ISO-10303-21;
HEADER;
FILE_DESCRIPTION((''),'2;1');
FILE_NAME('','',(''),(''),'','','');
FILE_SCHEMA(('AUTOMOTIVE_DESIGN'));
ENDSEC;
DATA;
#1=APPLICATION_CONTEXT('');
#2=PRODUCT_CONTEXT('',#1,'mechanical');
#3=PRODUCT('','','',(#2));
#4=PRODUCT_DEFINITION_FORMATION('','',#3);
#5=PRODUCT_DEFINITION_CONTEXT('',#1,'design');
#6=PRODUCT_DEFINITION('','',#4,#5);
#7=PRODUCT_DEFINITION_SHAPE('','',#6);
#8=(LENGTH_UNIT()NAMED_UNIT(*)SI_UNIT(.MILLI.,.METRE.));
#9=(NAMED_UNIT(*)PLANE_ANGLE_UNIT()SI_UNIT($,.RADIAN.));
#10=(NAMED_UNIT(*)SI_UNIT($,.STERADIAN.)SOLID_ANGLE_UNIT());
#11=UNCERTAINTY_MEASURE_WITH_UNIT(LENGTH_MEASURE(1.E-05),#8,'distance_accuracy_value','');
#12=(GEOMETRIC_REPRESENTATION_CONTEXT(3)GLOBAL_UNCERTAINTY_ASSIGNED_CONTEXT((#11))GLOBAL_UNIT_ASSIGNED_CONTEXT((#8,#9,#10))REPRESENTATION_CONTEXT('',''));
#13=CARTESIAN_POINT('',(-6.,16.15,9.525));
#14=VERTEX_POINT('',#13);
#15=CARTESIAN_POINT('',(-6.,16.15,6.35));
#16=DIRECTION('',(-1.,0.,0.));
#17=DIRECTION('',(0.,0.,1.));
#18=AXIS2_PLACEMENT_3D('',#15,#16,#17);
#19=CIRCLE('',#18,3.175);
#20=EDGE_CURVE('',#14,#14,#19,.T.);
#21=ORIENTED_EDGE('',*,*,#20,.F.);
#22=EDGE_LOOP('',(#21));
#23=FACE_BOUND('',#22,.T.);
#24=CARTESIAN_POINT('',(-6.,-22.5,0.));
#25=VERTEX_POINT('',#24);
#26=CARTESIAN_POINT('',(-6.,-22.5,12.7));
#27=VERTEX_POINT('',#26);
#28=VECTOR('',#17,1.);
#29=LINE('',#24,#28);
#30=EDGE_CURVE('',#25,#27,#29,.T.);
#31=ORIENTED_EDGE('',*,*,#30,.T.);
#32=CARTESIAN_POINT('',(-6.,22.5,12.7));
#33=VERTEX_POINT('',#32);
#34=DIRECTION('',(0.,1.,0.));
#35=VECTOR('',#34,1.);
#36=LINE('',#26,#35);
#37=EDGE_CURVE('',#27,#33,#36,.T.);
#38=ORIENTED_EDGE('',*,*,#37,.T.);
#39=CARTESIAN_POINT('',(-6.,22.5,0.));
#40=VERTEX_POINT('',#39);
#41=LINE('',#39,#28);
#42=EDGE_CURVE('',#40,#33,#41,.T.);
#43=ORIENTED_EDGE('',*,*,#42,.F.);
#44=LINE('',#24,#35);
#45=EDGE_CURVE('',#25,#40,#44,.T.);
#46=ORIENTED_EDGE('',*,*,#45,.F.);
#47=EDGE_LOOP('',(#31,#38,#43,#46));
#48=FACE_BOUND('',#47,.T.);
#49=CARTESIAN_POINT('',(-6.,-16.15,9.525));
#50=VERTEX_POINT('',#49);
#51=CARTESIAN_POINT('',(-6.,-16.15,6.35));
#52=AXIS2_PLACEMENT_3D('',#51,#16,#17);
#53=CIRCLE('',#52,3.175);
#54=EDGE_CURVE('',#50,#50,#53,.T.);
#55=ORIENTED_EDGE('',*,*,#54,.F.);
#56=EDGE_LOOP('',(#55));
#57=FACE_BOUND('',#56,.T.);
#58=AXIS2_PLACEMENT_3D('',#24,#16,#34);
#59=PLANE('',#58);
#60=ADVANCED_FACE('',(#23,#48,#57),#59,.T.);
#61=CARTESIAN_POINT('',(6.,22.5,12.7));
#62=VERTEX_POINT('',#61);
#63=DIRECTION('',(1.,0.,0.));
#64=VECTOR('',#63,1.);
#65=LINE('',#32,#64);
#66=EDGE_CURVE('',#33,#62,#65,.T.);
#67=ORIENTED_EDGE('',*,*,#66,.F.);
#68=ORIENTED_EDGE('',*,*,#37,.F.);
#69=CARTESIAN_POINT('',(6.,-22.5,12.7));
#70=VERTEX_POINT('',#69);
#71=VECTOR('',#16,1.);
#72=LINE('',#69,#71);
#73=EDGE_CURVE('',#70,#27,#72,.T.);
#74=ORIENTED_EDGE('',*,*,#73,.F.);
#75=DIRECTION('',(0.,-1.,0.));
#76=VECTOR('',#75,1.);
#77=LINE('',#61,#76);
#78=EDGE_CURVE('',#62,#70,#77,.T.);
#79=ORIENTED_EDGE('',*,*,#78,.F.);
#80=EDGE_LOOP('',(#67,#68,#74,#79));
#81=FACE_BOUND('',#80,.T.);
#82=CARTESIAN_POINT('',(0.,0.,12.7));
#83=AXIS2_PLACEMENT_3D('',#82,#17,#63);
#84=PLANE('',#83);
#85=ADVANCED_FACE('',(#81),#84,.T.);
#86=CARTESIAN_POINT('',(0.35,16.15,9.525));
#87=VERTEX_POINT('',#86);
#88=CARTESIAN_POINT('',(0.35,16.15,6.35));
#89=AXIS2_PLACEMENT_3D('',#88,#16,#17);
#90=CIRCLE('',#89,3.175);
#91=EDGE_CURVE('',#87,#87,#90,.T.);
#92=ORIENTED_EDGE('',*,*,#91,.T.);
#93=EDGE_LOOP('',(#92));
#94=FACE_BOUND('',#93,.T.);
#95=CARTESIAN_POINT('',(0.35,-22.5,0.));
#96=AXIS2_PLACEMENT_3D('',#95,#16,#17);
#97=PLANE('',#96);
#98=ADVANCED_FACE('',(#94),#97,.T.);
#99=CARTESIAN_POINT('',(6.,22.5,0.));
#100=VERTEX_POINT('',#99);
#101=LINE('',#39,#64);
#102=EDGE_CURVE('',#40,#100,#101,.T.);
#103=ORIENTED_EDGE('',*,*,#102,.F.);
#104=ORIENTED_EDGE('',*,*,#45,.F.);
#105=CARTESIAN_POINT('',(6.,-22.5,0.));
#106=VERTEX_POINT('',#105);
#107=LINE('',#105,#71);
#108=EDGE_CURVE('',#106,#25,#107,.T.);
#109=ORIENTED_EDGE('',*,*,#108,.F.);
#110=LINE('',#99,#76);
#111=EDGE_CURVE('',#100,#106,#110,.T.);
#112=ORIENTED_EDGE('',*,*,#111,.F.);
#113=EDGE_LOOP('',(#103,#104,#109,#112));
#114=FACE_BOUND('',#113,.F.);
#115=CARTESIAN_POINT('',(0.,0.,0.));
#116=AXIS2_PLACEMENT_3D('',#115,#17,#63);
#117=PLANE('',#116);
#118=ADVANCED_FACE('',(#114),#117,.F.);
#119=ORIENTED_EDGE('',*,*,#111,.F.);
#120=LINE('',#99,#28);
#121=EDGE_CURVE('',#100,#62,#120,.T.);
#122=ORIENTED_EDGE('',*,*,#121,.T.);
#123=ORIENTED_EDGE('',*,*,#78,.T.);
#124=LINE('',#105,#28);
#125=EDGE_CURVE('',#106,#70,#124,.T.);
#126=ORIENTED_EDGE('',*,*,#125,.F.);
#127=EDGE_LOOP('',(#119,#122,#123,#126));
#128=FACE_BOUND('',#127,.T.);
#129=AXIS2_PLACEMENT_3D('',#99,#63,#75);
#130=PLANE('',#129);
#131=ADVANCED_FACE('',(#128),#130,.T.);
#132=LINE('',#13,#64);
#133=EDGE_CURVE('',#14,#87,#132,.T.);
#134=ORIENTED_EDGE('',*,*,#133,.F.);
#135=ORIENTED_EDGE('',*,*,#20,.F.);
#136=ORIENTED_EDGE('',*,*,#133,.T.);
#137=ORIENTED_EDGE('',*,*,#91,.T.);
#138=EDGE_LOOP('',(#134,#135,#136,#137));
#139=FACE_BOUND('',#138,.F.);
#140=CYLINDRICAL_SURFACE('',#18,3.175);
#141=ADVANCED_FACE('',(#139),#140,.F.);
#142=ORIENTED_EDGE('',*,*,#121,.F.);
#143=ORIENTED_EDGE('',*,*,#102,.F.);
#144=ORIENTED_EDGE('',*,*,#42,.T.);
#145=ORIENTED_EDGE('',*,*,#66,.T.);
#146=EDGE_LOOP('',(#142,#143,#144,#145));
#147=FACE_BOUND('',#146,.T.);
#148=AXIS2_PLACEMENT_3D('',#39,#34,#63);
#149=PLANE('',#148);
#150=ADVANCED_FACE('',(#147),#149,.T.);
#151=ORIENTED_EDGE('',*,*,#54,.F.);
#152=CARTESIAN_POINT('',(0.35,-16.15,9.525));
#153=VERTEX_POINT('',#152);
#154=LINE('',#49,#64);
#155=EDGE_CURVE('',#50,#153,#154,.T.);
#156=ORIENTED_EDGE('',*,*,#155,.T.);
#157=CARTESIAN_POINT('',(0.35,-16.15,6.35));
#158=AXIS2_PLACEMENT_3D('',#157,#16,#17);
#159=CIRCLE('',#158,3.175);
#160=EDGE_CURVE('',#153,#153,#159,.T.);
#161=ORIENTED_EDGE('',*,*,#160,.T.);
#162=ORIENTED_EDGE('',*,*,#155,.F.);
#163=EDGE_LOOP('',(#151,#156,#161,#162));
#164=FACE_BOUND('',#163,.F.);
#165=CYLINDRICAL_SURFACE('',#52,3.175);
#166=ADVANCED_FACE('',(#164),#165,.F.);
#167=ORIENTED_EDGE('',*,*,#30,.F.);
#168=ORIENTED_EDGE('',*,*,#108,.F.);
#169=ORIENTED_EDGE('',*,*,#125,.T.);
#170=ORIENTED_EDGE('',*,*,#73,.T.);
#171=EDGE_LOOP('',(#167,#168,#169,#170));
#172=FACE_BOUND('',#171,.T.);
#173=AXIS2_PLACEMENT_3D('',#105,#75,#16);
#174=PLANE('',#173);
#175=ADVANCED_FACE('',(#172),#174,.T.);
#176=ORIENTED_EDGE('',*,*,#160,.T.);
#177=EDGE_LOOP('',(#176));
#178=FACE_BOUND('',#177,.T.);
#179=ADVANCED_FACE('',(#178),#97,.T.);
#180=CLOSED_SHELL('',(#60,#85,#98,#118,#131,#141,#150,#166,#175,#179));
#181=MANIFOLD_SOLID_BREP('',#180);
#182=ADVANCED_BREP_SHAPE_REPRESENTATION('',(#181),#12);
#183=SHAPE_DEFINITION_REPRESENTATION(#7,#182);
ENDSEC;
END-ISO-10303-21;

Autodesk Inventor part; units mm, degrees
ref_plane "YZ Plane" through (0, 0, 0) normal (1, 0, 0) x (0, 1, 0)
ref_plane "XZ Plane" through (0, 0, 0) normal (0, 1, 0) x (-1, 0, 0)
ref_plane "XY Plane" through (0, 0, 0) normal (0, 0, 1) x (1, 0, 0)
sketch "Sketch1" plane through (0, 0, 0) normal (0, 0, 1) x (1, 0, 0)
  line L0 (6, -22.5) -> (-6, -22.5)
  line L1 (-6, -22.5) -> (-6, 22.5)
  line L2 (-6, 22.5) -> (6, 22.5)
  line L3 (6, 22.5) -> (6, -22.5)
  line L4 (6, -22.5) -> (-6, 22.5) construction
  line L5 (-6, -22.5) -> (6, 22.5) construction
  line L6 (-5.1503, -35.0501) -> (13.5409, -35.0501)
  point P0 (0, 0)
  point P1 (4.1953, 105.9109)
  point P2 (0, 0)
  point P3 (11.236, -97.2891)
  point P4 (-6, 0)
  dimension "d0" = 12
  dimension "d1" = 45
  dimension "d2" = 57.55
extrude "Extrusion1" add sketch "Sketch1" along normal blind 12.7
sketch "Sketch3" plane through (-6, -22.5, 0) normal (-1, 0, 0) x (0, 0, 1)
  circle A0 centre (6.35, 38.65) radius 3.175
  line L0 (12.7, 45) -> (12.7, 0) projected
  line L1 (0, 45) -> (12.7, 45) projected
  circle A1 centre (6.35, 6.35) radius 3.175
  line L2 (0, 0) -> (12.7, 0) projected
  point P0 (0, 22.5)
  point P1 (6.35, 45)
  dimension "d10" = 6.35
  dimension "d11" = 6.35
  dimension "d12" = 6.35
  dimension "d13" = 6.35
  dimension "d14" = 6.35
  dimension "d15" = 6.35
extrude "Extrusion3" cut sketch "Sketch3" against normal blind 6.35
properties part number "EndCap"
